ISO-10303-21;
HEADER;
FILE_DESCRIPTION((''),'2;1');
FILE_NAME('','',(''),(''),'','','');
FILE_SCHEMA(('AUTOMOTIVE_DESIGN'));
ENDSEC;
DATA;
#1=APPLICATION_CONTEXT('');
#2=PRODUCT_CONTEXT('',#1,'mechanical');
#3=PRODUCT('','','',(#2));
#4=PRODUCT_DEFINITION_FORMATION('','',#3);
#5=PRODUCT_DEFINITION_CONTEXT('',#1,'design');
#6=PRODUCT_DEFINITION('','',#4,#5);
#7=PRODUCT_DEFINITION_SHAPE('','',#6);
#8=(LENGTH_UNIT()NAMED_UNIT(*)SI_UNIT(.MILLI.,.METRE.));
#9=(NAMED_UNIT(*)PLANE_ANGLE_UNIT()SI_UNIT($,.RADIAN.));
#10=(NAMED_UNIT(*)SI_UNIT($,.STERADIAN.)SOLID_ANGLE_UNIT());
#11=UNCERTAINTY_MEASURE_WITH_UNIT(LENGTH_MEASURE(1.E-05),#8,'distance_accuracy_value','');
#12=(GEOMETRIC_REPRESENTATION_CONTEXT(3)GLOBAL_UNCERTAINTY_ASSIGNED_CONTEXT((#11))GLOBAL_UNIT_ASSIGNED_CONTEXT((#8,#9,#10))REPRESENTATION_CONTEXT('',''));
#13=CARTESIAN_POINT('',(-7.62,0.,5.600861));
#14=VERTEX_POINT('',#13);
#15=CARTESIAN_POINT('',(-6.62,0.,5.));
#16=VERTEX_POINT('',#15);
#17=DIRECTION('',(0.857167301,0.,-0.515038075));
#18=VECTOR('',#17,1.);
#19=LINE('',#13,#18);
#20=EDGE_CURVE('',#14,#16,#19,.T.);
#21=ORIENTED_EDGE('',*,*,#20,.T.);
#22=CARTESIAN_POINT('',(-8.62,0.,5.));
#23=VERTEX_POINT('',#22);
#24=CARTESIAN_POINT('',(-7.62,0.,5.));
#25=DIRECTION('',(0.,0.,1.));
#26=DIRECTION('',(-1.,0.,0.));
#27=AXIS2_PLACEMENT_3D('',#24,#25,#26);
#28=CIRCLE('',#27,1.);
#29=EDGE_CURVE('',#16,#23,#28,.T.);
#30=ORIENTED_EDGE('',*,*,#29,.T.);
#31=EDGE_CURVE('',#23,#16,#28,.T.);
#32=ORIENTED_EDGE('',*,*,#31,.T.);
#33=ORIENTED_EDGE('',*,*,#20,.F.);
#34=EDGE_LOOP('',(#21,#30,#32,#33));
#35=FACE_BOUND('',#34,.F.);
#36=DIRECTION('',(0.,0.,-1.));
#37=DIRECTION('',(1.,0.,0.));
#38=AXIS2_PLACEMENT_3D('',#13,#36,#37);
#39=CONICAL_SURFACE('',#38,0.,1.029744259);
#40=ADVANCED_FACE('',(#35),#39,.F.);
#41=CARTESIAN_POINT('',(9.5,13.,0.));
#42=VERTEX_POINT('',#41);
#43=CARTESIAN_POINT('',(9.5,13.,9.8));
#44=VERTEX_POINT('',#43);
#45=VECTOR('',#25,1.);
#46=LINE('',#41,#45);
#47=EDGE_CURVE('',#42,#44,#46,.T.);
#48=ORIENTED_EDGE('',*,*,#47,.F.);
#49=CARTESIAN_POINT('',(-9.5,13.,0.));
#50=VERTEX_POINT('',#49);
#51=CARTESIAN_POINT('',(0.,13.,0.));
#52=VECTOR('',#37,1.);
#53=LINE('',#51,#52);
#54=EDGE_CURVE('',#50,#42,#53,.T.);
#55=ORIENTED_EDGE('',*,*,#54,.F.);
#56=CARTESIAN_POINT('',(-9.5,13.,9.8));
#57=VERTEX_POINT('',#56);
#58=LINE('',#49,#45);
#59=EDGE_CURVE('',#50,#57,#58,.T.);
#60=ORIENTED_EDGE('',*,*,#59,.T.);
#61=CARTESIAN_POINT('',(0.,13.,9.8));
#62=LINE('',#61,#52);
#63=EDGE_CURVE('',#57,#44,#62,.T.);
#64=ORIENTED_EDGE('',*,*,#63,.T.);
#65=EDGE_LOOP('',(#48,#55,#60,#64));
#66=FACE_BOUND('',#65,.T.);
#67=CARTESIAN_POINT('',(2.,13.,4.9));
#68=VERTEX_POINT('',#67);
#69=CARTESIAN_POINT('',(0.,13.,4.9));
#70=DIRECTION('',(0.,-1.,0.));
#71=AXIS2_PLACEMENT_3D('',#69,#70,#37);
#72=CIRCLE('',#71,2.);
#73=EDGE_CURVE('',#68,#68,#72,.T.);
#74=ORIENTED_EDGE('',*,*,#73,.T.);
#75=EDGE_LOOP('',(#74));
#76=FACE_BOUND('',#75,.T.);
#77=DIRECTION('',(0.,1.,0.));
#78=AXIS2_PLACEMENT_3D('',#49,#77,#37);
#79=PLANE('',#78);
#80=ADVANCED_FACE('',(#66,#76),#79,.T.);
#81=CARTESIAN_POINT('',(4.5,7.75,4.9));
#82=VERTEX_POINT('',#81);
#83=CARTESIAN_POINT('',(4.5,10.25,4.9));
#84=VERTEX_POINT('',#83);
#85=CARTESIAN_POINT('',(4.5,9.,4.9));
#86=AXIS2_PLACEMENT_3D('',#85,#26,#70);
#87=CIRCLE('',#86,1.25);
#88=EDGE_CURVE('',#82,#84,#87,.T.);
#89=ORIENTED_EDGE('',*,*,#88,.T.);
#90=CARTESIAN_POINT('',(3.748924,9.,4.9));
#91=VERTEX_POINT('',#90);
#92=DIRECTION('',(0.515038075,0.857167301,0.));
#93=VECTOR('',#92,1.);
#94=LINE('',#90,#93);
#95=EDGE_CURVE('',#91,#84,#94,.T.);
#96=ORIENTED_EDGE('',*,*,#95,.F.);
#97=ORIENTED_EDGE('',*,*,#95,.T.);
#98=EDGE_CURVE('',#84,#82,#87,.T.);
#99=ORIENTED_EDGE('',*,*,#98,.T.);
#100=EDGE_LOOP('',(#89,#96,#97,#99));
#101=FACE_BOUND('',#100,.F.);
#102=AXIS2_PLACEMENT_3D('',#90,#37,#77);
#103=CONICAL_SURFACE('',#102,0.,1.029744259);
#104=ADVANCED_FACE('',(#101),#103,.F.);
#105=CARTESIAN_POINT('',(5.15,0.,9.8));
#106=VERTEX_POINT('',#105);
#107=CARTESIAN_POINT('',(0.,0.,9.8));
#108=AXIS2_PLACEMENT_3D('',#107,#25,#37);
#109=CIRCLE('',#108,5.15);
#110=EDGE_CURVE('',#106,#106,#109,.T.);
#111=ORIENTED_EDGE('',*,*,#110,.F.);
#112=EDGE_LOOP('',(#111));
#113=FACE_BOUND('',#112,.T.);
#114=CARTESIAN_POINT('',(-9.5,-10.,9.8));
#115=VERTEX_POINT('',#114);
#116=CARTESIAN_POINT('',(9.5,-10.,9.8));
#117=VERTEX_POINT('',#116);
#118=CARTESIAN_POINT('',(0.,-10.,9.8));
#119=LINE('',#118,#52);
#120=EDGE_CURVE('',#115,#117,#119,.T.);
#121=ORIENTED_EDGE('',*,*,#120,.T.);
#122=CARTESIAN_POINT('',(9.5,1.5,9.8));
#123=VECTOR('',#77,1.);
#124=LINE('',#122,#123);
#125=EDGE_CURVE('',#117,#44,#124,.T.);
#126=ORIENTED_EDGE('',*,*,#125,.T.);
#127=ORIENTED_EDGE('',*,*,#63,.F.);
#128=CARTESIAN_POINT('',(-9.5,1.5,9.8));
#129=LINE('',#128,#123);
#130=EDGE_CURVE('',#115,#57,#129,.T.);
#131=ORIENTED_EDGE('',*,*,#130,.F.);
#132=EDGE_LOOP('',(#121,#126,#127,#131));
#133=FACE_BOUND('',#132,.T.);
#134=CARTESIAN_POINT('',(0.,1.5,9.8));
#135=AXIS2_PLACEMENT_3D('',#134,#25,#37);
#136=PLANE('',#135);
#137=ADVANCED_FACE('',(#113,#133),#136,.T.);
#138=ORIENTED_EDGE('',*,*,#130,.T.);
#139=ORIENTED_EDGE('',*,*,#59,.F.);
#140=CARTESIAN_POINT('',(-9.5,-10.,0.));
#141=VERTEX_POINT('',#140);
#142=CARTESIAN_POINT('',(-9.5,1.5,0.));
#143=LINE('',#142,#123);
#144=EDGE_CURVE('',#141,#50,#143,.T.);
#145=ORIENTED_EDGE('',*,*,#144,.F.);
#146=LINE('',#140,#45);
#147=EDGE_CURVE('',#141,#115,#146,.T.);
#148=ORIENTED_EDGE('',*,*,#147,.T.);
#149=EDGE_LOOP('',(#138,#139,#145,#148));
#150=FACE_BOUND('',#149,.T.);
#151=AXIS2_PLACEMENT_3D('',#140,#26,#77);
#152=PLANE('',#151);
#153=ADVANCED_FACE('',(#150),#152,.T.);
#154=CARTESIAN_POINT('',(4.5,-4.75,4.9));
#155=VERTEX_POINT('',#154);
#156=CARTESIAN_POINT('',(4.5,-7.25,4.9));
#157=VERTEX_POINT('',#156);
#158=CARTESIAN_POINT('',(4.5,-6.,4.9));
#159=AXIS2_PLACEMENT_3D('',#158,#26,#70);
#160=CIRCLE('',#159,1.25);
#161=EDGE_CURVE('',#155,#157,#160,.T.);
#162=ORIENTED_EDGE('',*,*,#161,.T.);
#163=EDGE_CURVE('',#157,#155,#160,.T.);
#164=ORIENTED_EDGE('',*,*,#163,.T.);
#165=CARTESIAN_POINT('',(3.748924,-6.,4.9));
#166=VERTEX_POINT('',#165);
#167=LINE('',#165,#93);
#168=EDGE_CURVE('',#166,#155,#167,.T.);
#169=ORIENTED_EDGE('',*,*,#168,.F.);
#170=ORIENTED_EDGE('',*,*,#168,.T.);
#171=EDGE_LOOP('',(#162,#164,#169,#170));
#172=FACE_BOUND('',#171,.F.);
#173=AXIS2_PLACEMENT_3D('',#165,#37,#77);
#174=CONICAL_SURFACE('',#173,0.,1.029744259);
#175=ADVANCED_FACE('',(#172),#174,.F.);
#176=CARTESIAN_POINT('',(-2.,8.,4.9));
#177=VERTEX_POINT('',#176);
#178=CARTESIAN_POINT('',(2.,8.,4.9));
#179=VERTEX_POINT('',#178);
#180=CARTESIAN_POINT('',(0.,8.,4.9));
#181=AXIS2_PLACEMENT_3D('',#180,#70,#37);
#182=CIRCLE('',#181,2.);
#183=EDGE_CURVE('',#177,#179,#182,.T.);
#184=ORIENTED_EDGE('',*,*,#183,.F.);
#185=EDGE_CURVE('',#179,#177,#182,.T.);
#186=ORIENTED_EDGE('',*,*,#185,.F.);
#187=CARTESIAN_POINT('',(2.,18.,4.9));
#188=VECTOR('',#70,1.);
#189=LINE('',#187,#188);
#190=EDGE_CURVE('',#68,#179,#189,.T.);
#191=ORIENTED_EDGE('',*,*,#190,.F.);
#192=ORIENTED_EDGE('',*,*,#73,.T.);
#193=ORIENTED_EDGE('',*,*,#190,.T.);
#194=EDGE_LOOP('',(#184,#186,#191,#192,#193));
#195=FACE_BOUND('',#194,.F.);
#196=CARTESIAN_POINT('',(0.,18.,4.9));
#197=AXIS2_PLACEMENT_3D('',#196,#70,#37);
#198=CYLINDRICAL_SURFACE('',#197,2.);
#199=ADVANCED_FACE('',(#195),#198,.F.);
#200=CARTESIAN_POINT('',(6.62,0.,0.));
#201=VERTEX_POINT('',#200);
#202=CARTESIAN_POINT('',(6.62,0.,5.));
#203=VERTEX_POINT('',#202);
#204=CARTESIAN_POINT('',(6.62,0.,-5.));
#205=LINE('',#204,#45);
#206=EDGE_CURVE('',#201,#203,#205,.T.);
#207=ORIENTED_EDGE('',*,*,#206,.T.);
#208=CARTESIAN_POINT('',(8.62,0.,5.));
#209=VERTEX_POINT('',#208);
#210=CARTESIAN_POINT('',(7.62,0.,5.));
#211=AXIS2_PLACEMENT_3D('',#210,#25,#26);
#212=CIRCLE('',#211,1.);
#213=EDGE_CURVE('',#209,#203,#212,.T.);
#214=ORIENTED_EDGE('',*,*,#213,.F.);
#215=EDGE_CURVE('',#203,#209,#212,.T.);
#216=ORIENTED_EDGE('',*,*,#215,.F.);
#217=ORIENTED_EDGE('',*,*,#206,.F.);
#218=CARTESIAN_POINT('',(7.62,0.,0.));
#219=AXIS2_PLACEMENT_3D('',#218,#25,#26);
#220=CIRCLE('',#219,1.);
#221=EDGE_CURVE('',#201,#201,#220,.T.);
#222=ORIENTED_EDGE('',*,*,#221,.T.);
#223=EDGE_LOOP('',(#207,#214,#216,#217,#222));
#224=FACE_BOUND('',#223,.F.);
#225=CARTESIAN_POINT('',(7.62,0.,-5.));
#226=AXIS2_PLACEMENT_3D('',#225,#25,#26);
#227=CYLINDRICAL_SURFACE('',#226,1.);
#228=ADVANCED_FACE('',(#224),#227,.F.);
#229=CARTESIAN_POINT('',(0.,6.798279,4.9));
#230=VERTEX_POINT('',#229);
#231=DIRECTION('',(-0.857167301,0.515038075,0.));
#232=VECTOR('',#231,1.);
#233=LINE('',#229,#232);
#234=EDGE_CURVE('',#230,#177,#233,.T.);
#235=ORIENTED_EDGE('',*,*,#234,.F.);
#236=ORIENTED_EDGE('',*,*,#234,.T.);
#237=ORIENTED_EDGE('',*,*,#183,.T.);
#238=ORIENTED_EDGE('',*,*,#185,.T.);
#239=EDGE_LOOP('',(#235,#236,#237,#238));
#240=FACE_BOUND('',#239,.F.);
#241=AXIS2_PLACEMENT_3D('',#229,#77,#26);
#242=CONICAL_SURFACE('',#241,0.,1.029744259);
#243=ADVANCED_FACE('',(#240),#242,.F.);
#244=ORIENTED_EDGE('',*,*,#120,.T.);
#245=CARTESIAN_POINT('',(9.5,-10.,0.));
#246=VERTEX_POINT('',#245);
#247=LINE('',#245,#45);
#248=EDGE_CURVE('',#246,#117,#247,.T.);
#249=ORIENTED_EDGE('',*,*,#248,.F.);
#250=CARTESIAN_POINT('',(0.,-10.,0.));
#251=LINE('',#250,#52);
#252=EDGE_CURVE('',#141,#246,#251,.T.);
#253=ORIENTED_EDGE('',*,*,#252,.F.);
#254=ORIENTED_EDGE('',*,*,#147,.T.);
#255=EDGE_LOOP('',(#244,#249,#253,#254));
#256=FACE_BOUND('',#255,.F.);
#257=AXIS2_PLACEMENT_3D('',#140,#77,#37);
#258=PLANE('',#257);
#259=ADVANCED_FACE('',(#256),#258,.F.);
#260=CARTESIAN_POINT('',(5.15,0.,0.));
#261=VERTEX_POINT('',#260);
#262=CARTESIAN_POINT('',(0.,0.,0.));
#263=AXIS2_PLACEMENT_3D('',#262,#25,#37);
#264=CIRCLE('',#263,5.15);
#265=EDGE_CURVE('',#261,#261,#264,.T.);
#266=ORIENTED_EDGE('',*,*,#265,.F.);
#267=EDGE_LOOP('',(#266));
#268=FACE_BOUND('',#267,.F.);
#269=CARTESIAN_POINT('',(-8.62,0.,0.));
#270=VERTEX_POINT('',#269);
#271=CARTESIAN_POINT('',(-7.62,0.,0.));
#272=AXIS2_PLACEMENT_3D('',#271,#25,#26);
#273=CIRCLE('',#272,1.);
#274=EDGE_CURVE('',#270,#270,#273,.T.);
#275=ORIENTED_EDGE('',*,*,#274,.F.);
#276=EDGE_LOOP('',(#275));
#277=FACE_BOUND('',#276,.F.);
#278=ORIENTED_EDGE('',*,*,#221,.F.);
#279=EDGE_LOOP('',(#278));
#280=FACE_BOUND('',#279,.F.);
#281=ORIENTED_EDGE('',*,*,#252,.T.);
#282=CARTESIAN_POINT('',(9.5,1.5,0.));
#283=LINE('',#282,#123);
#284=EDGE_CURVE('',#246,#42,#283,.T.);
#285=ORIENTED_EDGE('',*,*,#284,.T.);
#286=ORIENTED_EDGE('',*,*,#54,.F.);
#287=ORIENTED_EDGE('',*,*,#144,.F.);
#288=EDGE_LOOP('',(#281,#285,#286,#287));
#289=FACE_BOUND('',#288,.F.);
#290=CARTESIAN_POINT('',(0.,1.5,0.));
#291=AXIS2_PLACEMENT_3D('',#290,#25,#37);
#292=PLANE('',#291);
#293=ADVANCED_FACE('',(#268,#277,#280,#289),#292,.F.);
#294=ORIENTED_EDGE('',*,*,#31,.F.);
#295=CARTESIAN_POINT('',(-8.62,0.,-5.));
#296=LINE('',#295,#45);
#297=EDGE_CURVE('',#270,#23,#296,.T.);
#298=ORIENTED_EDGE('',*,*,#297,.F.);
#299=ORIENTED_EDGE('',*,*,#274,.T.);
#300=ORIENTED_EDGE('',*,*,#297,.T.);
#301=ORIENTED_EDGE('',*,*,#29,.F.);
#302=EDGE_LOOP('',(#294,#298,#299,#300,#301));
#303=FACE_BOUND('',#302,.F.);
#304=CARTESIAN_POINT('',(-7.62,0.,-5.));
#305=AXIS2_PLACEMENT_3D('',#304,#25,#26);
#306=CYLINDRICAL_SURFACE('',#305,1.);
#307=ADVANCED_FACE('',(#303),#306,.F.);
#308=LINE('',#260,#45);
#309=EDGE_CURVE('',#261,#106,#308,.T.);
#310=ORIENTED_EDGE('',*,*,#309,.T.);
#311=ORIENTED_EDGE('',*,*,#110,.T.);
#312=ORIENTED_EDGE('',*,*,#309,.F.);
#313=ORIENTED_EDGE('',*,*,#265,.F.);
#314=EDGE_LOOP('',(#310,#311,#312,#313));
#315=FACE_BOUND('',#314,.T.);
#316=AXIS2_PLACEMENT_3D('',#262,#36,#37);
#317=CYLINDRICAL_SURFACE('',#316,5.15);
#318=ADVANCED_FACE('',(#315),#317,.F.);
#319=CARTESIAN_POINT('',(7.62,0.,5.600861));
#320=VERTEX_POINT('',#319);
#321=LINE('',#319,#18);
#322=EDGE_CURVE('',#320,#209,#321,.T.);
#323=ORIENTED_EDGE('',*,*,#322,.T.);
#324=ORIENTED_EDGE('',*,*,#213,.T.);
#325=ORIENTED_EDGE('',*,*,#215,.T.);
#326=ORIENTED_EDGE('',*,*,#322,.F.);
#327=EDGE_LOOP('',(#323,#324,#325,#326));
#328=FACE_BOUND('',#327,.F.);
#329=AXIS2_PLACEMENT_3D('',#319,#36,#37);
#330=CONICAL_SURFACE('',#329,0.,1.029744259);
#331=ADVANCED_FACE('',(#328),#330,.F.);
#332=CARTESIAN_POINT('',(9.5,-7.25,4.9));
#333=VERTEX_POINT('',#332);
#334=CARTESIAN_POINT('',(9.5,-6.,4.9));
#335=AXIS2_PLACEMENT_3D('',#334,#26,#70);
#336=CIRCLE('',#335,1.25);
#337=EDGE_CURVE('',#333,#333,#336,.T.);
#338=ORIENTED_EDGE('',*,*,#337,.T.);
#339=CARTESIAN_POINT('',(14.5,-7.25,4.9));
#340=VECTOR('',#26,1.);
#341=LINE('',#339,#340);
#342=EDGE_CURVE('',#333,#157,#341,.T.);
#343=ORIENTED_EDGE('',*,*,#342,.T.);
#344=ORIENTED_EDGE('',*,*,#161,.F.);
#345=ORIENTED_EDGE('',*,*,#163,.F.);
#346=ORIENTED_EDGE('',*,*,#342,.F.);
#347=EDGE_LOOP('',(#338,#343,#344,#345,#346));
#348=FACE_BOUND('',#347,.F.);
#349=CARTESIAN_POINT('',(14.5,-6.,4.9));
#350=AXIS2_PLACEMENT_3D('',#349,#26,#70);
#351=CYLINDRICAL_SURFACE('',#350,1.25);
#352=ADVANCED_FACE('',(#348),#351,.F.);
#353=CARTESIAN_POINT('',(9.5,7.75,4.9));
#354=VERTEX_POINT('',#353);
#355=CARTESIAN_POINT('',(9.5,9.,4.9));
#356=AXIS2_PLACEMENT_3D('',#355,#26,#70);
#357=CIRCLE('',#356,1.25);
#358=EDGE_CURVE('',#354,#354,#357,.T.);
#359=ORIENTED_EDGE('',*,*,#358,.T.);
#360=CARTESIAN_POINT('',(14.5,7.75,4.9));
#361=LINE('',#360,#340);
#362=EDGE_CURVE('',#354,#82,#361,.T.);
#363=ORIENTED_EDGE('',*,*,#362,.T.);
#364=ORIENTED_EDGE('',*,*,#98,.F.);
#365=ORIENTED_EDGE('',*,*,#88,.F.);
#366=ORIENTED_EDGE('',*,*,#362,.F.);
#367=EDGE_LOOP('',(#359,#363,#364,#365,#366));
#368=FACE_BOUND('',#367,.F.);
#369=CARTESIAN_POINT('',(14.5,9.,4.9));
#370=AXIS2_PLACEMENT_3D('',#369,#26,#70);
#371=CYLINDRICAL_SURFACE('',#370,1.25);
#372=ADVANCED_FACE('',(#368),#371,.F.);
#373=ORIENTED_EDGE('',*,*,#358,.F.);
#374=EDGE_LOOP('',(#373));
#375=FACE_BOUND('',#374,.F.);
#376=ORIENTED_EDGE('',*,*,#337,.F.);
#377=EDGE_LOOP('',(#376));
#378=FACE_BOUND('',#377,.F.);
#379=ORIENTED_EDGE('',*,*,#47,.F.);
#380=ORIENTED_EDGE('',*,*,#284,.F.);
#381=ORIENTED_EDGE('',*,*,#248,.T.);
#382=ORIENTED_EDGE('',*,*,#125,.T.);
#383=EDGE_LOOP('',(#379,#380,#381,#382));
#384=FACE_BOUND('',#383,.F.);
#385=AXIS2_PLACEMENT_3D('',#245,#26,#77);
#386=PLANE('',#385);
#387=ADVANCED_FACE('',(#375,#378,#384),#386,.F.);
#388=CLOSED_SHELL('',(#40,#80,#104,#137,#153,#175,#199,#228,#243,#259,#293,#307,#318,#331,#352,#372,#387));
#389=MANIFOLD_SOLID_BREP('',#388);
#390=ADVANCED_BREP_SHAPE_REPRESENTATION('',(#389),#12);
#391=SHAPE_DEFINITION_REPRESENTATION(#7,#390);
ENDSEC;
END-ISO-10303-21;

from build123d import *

# Parameters (mm, degrees)
F0_W     = 19
F0_H     = 23
F0_R     = 5.15
F1_DEPTH = 9.8
F3_D     = 2
F3_DEPTH = 5
F3_TIP   = 0.600860619
F5_D     = 4
F5_DEPTH = 5
F5_TIP   = 1.2017212381
F7_D     = 2.5
F7_DEPTH = 5
F7_TIP   = 0.7510757738


with BuildPart() as f1:
    # F0 (on Top) → F1 (new body)
    with BuildSketch(Plane.XY):
        with Locations((0, 1.5)):
            Rectangle(F0_W, F0_H)
        Circle(F0_R, mode=Mode.SUBTRACT)
    extrude(amount=F1_DEPTH)

    # F3
    with Locations(Plane(origin=(0, 0, 0), x_dir=(1, 0, 0), z_dir=(0, 0, -1))):
        with Locations((-7.62, 0), (7.62, 0)):
            Hole(F3_D / 2, depth=F3_DEPTH)
            with Locations((0, 0, -(F3_DEPTH + F3_TIP / 2))):  # 118° drill point
                Cone(0, F3_D / 2, F3_TIP, mode=Mode.SUBTRACT)

    # F5
    with Locations(Plane(origin=(0, 13, 0), x_dir=(-1, 0, 0), z_dir=(0, 1, 0))):
        with Locations((0, 4.9)):
            Hole(F5_D / 2, depth=F5_DEPTH)
            with Locations((0, 0, -(F5_DEPTH + F5_TIP / 2))):  # 118° drill point
                Cone(0, F5_D / 2, F5_TIP, mode=Mode.SUBTRACT)

    # F7
    with Locations(Plane.YZ.offset(9.5)):
        with Locations((-6, 4.9), (9, 4.9)):
            Hole(F7_D / 2, depth=F7_DEPTH)
            with Locations((0, 0, -(F7_DEPTH + F7_TIP / 2))):  # 118° drill point
                Cone(0, F7_D / 2, F7_TIP, mode=Mode.SUBTRACT)


solid = f1.part
